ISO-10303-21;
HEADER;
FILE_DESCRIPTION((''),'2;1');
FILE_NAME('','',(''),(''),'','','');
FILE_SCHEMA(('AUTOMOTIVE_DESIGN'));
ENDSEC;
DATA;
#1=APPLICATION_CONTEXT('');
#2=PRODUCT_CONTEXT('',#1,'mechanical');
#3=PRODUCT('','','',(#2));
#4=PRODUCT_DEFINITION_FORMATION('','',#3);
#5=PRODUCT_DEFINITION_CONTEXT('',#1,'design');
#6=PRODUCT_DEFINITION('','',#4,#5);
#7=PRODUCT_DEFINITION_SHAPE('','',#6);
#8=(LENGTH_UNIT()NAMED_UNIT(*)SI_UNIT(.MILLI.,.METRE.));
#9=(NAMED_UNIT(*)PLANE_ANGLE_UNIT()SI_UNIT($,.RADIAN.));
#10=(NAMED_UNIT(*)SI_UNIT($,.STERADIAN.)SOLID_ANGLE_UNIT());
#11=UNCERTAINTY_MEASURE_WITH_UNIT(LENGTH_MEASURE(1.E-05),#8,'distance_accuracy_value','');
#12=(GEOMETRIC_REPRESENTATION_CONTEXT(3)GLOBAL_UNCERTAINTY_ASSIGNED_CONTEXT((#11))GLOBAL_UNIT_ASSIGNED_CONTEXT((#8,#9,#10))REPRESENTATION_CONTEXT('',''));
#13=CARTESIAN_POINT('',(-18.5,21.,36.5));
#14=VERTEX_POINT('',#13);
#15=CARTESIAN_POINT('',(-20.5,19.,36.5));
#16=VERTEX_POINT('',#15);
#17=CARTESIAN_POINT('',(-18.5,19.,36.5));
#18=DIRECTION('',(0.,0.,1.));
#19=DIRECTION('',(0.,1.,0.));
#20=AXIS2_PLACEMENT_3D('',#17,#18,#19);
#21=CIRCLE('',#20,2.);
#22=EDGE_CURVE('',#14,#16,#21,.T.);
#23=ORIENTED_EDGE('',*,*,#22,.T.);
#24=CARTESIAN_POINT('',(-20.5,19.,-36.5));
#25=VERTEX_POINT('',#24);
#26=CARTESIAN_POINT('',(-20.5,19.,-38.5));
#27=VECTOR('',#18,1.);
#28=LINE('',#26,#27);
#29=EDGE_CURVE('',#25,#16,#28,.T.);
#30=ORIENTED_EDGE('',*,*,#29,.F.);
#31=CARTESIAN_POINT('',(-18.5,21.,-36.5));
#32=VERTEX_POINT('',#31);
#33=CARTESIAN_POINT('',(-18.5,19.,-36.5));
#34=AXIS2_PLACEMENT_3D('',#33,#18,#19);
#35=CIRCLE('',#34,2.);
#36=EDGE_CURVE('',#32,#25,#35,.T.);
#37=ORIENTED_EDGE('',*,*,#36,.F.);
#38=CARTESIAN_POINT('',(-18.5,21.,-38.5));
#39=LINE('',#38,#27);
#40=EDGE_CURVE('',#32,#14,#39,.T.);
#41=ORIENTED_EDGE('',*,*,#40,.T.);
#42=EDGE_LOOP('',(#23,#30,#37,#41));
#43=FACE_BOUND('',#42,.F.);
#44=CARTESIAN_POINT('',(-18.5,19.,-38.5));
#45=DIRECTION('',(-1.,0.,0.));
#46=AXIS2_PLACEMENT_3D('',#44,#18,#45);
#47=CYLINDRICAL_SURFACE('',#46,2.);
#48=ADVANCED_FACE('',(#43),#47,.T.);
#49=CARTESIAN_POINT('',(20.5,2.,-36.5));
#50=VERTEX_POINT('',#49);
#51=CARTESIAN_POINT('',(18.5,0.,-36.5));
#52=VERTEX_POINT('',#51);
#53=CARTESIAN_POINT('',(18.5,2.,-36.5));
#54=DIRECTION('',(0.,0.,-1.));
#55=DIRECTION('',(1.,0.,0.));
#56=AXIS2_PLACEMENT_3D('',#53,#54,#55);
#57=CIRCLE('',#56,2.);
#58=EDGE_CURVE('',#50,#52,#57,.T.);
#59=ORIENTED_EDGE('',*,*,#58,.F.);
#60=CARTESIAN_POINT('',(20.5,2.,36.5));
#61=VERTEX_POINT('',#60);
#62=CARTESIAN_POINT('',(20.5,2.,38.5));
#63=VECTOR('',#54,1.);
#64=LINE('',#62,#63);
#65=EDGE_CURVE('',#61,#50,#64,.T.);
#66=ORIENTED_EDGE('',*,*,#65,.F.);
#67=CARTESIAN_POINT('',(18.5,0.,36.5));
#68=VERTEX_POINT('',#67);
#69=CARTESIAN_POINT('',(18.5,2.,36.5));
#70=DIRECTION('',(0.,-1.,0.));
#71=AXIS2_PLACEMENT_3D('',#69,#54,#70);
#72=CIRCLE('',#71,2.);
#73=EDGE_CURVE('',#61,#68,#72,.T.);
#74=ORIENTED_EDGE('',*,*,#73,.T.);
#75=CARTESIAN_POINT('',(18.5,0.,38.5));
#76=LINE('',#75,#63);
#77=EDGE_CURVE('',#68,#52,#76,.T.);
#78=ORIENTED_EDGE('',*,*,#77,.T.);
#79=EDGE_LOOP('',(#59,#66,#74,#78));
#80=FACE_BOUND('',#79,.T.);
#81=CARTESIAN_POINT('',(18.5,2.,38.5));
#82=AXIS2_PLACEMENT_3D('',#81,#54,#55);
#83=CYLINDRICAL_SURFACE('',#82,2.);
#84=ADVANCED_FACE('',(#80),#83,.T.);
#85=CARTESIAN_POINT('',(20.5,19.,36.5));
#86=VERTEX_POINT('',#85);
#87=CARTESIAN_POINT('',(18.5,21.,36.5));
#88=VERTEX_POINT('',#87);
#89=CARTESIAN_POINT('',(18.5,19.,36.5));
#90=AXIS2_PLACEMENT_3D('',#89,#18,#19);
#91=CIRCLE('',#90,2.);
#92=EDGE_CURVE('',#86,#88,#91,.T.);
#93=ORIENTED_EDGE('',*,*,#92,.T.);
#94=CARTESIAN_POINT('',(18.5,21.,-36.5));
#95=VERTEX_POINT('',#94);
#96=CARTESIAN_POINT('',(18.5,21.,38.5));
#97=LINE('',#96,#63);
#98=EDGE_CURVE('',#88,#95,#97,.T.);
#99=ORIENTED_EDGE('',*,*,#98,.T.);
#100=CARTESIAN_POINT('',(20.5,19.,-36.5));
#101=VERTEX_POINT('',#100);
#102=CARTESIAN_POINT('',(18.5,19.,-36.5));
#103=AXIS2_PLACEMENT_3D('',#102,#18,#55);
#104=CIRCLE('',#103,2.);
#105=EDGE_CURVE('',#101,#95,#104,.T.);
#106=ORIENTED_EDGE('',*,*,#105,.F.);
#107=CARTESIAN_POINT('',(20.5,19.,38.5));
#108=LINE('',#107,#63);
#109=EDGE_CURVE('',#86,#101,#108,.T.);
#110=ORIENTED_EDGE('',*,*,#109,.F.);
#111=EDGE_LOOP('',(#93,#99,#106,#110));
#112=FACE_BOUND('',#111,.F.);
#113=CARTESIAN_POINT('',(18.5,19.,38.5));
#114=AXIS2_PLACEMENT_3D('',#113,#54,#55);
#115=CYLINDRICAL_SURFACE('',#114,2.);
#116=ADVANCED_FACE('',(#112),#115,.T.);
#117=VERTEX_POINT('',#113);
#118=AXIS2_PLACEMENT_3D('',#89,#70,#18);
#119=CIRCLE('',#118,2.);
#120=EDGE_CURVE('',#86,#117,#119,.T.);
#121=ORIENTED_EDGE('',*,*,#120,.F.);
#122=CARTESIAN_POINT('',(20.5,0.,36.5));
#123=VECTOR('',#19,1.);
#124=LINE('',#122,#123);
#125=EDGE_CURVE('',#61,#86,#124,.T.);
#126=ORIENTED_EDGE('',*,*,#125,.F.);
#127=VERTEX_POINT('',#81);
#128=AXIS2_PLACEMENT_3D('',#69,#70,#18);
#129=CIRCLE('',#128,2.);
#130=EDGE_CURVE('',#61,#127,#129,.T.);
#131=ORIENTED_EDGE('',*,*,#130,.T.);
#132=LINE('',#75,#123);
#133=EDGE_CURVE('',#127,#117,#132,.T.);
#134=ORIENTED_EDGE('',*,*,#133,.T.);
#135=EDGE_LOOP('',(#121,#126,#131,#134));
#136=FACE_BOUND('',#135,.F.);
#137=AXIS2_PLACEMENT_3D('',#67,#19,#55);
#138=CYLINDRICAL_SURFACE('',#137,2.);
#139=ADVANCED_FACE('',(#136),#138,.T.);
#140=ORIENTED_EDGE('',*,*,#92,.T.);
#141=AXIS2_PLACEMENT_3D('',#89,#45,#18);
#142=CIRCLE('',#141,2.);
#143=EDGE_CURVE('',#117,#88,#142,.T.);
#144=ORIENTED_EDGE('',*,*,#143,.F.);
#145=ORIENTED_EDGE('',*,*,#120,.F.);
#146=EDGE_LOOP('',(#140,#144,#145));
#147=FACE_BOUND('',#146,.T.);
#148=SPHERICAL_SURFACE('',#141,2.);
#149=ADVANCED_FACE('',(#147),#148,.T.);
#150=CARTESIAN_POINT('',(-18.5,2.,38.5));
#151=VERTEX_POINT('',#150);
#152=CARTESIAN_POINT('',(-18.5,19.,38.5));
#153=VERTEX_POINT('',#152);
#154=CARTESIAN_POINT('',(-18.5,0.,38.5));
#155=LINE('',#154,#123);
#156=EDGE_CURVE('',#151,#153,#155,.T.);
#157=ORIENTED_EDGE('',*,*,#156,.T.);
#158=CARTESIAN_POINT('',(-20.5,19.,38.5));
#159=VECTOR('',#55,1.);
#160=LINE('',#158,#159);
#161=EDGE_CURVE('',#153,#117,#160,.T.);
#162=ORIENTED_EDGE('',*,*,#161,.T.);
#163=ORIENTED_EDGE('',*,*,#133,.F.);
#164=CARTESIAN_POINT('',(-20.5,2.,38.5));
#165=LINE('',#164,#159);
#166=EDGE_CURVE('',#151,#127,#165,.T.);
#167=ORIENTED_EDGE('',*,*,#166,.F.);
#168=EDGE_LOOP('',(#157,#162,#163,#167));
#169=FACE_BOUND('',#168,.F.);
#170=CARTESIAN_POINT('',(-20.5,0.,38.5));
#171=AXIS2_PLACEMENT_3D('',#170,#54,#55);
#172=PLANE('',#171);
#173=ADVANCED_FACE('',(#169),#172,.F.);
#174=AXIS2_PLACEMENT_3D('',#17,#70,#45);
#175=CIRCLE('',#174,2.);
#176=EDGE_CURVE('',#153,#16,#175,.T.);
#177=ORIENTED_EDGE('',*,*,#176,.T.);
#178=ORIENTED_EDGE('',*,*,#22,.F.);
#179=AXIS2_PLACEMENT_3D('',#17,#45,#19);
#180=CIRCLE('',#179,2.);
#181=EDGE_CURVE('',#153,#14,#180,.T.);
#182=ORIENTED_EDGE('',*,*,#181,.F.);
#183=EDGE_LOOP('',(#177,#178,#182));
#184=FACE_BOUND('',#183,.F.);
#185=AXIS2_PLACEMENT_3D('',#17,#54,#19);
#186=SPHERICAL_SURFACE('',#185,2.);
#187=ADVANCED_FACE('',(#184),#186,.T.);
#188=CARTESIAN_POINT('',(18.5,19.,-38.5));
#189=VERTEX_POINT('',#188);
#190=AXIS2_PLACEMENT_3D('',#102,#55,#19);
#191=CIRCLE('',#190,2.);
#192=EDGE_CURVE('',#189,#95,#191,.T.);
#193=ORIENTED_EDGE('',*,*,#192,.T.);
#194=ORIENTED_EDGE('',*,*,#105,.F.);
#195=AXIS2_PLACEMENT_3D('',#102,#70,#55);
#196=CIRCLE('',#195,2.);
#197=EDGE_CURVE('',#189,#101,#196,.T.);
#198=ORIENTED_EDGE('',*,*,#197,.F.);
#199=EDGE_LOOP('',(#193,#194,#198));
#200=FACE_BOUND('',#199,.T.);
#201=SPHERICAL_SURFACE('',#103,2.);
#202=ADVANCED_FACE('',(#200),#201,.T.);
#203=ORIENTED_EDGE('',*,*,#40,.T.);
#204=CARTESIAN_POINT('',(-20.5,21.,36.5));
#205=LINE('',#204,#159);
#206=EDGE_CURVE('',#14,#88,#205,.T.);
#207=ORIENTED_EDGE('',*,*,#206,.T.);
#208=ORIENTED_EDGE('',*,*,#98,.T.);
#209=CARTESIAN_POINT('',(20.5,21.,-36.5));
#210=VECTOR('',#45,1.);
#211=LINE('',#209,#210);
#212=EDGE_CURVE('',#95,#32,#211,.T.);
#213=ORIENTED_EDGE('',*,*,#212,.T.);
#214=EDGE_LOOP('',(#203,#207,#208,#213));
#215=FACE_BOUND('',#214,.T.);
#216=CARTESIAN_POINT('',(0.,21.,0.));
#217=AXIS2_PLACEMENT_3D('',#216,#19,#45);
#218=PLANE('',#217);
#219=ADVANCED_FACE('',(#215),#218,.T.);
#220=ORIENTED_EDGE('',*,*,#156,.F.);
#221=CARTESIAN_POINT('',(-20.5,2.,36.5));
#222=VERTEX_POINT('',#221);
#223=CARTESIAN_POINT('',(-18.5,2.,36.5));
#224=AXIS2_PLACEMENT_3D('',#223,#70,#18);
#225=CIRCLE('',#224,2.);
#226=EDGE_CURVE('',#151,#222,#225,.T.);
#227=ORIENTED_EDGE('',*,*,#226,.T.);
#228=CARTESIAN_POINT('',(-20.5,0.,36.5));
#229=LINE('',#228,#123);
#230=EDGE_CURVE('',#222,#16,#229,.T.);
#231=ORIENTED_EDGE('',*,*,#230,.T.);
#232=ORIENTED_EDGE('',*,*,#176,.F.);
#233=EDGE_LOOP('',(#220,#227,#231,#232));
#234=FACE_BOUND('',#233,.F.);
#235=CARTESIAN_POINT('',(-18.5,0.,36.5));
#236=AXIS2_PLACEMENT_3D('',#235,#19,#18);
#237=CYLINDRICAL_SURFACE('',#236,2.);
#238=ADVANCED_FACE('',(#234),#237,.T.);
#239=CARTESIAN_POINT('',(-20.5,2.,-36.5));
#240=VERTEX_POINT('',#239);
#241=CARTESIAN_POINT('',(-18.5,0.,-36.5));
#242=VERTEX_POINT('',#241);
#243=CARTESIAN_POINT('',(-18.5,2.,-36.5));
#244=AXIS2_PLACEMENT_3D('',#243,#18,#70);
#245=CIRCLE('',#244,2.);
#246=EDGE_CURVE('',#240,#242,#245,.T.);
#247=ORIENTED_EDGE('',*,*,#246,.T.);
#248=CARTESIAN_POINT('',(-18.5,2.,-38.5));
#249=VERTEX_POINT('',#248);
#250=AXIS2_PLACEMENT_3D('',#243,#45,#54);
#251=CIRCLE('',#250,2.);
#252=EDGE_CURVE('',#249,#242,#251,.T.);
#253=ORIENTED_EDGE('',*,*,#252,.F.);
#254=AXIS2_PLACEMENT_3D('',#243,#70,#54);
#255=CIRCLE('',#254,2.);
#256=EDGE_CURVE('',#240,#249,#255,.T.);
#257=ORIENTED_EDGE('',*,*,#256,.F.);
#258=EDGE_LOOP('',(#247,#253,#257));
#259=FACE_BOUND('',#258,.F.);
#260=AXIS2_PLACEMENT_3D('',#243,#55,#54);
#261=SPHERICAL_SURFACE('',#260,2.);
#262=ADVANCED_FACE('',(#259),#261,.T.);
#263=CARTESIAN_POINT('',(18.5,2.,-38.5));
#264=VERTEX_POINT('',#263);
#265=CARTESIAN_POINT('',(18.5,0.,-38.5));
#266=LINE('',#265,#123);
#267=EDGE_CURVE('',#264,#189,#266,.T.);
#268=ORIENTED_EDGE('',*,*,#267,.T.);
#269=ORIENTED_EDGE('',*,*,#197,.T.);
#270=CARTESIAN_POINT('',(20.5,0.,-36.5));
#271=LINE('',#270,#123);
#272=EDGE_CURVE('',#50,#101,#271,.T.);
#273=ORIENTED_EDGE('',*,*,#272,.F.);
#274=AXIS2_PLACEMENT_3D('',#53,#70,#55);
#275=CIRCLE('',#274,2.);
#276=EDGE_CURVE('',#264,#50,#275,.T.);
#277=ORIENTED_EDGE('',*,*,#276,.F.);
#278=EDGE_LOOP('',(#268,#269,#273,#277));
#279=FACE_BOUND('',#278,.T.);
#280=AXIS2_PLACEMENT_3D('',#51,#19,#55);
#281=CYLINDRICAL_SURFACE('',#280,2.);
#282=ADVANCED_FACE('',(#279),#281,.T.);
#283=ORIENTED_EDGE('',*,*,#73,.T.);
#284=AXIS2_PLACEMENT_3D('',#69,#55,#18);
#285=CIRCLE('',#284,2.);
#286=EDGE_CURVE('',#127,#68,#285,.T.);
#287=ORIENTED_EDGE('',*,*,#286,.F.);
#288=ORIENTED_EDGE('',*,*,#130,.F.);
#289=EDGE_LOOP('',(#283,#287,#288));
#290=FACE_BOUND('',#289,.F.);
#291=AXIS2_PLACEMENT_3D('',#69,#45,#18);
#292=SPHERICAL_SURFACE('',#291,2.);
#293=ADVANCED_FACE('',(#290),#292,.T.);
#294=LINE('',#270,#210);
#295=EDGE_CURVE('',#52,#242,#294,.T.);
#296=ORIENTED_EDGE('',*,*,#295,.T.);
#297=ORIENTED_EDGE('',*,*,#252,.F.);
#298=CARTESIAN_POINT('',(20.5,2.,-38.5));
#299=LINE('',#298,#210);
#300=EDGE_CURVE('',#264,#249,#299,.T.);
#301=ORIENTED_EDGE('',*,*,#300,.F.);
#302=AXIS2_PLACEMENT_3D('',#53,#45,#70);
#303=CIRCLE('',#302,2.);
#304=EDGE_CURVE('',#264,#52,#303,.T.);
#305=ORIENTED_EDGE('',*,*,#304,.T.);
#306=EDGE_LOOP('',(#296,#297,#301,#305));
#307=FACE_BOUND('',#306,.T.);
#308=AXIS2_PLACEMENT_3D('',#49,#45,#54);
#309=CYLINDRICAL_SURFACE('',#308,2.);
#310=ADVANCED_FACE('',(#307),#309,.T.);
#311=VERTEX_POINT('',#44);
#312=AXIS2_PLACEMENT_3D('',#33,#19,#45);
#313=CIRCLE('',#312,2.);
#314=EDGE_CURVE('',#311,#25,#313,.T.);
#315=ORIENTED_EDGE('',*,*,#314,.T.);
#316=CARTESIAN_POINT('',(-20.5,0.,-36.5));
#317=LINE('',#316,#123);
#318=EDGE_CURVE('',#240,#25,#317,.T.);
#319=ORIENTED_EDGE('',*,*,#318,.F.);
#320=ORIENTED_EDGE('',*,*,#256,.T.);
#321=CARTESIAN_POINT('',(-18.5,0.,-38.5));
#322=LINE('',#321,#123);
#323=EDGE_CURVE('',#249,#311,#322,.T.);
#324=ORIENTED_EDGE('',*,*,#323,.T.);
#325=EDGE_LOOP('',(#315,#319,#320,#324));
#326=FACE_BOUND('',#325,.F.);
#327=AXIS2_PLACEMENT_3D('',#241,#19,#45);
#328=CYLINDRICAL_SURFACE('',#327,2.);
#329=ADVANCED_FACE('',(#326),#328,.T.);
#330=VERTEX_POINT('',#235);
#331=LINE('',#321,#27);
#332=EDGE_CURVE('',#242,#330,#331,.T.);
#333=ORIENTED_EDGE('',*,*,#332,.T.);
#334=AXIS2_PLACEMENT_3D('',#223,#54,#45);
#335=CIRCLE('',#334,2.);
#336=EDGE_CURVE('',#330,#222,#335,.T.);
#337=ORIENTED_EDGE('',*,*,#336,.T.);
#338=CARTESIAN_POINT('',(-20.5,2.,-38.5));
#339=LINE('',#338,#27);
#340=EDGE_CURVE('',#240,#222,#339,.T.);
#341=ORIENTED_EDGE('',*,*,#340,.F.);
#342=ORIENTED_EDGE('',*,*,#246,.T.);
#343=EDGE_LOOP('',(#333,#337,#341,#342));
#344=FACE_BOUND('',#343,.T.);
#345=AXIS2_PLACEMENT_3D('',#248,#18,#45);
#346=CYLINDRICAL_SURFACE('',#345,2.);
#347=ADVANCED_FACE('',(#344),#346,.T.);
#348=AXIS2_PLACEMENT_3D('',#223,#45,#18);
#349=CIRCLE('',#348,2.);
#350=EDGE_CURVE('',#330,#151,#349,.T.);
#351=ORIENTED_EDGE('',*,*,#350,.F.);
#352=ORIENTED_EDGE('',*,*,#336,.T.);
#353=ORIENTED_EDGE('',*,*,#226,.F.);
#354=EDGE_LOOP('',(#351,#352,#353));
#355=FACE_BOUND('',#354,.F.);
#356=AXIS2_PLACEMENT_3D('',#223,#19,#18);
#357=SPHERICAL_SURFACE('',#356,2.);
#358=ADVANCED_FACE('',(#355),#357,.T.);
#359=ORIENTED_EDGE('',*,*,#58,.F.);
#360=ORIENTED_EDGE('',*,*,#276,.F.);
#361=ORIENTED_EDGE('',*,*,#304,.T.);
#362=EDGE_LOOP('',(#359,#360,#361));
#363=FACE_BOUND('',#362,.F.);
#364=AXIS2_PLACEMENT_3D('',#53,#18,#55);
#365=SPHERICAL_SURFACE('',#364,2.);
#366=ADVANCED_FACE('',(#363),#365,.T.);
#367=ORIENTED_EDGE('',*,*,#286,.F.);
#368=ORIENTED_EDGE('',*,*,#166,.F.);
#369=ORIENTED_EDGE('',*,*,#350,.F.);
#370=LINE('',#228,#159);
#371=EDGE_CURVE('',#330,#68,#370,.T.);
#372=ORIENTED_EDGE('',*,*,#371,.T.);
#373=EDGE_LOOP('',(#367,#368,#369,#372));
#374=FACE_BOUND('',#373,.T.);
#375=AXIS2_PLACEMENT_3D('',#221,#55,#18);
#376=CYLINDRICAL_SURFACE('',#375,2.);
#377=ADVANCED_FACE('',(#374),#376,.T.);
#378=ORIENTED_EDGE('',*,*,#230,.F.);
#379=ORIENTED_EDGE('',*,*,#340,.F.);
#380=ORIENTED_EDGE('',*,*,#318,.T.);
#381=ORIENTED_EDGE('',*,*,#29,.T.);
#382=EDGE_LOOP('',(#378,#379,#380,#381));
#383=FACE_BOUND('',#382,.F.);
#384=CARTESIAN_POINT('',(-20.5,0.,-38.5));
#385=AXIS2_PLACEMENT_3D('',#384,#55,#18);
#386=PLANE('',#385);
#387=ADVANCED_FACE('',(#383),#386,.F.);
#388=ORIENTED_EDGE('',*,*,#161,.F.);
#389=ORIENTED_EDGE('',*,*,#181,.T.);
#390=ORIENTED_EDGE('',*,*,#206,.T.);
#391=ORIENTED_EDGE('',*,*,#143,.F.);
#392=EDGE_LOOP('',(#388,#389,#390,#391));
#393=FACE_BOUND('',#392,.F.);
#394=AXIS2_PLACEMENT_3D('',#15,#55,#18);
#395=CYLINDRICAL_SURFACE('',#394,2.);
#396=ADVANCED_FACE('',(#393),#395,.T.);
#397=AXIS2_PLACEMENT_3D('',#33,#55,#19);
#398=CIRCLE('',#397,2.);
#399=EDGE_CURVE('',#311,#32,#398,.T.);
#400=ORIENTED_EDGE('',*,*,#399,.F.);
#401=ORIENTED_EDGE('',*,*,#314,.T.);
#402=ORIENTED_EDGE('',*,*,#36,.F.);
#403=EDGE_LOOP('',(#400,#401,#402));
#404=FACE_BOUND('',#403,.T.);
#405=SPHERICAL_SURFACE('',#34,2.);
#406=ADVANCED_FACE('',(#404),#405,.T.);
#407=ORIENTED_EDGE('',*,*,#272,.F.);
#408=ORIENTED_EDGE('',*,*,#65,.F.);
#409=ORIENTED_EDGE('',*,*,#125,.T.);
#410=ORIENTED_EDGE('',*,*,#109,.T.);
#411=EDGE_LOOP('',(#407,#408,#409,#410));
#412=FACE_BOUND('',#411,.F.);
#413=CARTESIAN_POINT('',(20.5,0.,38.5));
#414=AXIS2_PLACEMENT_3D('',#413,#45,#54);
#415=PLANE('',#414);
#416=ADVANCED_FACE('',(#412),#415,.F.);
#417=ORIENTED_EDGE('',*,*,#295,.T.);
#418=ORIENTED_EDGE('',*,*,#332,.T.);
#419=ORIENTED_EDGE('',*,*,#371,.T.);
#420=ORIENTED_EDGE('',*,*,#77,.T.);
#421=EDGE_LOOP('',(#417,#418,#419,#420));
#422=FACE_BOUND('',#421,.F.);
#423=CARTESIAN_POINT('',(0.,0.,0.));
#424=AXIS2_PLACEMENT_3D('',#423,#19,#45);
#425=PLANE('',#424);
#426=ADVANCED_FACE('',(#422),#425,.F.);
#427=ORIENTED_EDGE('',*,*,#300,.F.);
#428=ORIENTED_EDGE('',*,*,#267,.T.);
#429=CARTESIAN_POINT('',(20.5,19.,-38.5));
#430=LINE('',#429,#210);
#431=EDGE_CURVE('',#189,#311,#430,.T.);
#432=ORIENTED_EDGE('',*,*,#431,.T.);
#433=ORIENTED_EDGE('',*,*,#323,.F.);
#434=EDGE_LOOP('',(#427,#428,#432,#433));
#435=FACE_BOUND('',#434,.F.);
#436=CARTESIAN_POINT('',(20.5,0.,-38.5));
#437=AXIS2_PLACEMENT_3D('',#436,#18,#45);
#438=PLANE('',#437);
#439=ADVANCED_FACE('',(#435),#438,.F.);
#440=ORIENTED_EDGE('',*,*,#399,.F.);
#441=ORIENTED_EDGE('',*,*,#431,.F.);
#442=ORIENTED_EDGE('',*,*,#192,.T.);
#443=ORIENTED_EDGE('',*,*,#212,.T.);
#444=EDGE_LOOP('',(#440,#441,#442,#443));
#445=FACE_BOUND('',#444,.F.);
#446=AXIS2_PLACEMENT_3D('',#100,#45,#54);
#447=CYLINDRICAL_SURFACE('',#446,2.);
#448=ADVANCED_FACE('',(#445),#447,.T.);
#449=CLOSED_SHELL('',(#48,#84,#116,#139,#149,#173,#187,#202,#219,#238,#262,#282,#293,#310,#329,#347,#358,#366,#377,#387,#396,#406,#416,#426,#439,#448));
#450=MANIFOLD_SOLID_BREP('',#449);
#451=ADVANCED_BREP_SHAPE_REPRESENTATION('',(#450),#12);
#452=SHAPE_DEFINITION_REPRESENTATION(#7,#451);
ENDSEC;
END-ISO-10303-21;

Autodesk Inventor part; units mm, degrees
ref_plane "YZ Plane" through (0, 0, 0) normal (1, 0, 0) x (0, 1, 0)
ref_plane "XZ Plane" through (0, 0, 0) normal (0, 1, 0) x (-1, 0, 0)
ref_plane "XY Plane" through (0, 0, 0) normal (0, 0, 1) x (1, 0, 0)
sketch "Sketch1" plane through (0, 0, 0) normal (0, 1, 0) x (-1, 0, 0)
  line L0 (-20.5, -38.5) -> (20.5, -38.5)
  line L1 (20.5, -38.5) -> (20.5, 38.5)
  line L2 (20.5, 38.5) -> (-20.5, 38.5)
  line L3 (-20.5, 38.5) -> (-20.5, -38.5)
  line L4 (-20.5, -38.5) -> (20.5, 38.5) construction
  line L5 (20.5, -38.5) -> (-20.5, 38.5) construction
  point P0 (0, 0)
  dimension "d0" = 77
  dimension "d1" = 41
extrude "Extrusion1" add sketch "Sketch1" along normal blind 21
fillet "Fillet1" radius 2 12 edges at (-20.5, 21, 0) (0, 21, 38.5) (-20.5, 10.5, 38.5) (0, 0, 38.5) (20.5, 10.5, 38.5) (20.5, 21, 0) (20.5, 0, 0) (20.5, 10.5, -38.5) (0, 0, -38.5) (0, 21, -38.5) (-20.5, 10.5, -38.5) (-20.5, 0, 0)
equation "\"d0\" = batteries_case_length"
equation "\"d1\" = batteries_case_width"
equation "\"d2\" = batteries_case_height"
equation "\"batteries_case_width\" = 41"
equation "\"batteries_case_length\" = 77"
equation "\"batteries_case_height\" = 21"
properties part number "accumulators_case" material "Rubber, Silicone"
